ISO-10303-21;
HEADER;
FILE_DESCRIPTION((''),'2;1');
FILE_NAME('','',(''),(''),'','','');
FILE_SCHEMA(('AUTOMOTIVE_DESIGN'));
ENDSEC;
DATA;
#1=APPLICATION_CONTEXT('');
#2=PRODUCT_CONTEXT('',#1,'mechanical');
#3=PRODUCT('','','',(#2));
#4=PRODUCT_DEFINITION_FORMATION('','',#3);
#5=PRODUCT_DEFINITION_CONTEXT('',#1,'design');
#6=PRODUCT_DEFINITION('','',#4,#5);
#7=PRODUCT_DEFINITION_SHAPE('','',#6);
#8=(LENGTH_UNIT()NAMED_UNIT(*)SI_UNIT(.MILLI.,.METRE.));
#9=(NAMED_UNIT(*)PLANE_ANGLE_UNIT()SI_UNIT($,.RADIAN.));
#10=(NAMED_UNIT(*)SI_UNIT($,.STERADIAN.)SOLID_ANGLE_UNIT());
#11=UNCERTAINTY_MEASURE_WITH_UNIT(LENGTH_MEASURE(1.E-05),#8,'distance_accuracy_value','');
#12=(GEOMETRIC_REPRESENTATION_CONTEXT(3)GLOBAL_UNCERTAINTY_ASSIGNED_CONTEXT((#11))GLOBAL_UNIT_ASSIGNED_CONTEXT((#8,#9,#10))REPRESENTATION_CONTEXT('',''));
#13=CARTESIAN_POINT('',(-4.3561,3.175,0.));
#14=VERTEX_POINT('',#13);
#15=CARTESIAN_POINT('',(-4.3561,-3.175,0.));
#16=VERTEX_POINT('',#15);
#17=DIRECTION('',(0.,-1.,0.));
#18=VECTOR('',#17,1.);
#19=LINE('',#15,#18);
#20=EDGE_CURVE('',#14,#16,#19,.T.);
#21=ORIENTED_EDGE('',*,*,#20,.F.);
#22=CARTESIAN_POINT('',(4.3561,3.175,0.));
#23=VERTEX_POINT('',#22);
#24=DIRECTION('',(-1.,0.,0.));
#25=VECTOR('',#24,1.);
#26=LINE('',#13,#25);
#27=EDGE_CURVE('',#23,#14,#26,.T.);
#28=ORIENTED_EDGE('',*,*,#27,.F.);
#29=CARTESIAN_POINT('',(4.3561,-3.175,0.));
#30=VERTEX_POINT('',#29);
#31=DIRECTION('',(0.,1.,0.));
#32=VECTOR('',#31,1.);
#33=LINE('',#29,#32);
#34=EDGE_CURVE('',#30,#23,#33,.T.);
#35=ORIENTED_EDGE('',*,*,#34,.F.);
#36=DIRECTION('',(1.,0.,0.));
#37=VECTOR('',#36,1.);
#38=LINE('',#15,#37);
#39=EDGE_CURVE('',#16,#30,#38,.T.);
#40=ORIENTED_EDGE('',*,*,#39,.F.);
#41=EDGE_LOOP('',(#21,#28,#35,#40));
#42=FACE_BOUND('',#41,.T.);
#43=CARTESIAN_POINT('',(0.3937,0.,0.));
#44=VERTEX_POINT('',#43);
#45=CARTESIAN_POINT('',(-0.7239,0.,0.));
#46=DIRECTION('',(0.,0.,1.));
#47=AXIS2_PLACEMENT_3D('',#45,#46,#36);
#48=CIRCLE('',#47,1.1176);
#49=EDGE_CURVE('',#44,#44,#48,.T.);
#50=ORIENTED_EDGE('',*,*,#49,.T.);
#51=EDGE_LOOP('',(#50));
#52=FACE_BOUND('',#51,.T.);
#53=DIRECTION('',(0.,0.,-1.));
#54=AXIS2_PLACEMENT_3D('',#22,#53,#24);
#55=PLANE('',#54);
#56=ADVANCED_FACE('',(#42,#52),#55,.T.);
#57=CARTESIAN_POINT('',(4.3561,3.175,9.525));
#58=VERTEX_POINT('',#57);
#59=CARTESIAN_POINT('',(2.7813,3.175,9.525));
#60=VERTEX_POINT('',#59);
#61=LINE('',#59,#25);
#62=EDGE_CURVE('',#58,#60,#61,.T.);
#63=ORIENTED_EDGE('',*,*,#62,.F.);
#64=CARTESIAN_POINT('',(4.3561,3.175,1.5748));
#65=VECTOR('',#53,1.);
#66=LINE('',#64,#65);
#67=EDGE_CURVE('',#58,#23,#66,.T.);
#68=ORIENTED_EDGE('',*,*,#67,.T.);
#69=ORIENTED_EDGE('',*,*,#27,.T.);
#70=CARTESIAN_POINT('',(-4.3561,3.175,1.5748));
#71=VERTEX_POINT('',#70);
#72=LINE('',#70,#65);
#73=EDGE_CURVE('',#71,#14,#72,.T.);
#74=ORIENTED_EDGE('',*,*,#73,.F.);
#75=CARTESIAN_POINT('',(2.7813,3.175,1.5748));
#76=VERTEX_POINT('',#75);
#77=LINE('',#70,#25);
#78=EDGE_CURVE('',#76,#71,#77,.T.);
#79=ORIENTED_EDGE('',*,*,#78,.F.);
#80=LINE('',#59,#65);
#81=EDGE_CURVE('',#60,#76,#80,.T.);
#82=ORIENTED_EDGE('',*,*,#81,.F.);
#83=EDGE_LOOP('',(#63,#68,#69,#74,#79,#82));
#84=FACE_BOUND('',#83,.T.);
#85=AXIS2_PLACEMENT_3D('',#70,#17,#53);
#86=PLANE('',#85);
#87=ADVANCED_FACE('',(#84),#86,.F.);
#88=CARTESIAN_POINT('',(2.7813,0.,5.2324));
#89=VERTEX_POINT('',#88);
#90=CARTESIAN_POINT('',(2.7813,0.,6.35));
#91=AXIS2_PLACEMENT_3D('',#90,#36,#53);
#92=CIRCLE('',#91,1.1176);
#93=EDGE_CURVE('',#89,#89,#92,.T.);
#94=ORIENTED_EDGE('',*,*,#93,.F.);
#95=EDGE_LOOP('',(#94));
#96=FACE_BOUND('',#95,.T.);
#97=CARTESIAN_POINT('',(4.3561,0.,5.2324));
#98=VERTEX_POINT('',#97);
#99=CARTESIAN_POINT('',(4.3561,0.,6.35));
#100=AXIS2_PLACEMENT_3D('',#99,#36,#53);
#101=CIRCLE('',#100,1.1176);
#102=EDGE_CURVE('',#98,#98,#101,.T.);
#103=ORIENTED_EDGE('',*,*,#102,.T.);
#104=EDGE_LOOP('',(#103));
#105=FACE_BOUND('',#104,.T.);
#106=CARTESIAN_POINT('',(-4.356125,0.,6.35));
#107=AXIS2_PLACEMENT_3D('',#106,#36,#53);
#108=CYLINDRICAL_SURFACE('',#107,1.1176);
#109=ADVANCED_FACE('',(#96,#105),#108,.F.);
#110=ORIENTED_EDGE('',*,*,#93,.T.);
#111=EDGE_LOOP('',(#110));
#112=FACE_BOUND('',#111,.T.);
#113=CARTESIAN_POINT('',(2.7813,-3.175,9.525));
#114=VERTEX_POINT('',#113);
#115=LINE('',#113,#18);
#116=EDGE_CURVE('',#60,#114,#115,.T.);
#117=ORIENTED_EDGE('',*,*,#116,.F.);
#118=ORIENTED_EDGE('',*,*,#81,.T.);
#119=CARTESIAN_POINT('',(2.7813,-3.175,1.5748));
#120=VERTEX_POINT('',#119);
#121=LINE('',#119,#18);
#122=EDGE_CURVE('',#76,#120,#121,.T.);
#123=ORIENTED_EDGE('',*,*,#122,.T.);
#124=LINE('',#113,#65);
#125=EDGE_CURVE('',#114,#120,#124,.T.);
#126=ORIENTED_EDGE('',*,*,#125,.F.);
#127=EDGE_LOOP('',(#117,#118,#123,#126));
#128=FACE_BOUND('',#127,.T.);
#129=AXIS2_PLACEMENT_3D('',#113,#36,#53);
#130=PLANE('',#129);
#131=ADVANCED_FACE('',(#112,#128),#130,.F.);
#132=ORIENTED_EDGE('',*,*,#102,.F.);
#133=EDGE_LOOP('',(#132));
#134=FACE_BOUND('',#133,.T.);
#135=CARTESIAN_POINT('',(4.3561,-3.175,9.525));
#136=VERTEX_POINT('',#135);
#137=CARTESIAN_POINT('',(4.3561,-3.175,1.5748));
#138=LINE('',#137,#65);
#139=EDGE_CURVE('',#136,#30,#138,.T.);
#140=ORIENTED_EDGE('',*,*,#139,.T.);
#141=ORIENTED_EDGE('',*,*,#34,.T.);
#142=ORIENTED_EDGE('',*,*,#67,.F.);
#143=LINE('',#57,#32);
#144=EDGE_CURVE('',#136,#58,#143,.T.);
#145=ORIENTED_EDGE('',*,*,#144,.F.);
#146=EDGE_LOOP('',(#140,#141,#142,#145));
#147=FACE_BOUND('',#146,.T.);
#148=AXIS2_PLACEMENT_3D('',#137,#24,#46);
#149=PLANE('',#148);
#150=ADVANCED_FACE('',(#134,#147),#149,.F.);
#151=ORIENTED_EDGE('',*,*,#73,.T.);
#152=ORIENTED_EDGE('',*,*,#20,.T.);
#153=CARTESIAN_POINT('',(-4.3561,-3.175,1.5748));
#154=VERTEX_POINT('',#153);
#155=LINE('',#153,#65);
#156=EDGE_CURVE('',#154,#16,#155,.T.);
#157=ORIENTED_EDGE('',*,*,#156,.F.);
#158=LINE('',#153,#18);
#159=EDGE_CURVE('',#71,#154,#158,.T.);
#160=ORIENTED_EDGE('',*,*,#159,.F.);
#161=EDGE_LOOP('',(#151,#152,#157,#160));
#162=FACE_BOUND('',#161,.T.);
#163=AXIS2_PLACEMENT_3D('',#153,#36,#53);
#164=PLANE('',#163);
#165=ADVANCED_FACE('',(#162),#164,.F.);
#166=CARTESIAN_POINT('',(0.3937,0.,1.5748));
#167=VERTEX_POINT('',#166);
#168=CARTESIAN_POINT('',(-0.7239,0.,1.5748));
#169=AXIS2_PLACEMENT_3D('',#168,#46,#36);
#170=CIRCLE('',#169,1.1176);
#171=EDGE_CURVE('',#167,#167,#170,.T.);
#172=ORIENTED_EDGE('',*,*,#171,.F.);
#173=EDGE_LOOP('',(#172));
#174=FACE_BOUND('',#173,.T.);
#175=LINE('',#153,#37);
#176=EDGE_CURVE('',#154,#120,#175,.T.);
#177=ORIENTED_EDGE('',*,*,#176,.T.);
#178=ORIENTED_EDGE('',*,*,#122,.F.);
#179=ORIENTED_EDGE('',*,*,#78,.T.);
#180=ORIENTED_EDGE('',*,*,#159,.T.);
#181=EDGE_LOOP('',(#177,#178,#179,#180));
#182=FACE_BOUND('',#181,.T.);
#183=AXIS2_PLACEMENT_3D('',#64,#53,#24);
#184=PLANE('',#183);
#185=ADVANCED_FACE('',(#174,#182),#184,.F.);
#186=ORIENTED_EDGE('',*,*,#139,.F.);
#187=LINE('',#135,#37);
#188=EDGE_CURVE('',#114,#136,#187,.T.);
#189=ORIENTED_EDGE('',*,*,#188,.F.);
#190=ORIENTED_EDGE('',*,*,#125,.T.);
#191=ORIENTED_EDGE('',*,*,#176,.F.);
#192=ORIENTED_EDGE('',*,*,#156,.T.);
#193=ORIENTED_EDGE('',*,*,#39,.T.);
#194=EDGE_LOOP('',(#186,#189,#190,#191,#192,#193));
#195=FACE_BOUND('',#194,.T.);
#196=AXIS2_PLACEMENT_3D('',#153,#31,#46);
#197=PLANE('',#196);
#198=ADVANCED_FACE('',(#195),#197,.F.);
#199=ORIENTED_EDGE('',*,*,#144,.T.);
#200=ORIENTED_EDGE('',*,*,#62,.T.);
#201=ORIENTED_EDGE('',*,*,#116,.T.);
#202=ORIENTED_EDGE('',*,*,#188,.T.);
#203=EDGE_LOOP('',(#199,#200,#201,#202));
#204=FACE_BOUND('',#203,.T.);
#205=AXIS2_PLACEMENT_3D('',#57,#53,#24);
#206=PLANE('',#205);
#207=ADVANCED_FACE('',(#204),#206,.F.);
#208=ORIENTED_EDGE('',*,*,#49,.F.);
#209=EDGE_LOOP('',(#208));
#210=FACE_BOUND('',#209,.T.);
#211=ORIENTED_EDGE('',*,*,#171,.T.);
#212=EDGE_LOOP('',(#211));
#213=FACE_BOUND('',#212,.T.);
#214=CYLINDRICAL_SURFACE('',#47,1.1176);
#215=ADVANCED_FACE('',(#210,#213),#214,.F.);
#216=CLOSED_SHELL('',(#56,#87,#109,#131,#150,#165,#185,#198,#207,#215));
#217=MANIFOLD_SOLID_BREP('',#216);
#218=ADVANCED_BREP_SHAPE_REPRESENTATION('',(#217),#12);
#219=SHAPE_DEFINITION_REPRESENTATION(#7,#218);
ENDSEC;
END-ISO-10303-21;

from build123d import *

# Parameters (mm, degrees)
SKETCH1_W           = 8.7122
SKETCH1_H           = 6.35
BOSS_EXTRUDE1_DEPTH = 1.5748
SKETCH2_W           = 1.5748
SKETCH2_H           = 6.35
BOSS_EXTRUDE2_DEPTH = 7.9502
SKETCH3_R           = 1.1176
CUT_EXTRUDE1_DEPTH  = 2.5748
SKETCH4_R           = 1.1176
CUT_EXTRUDE2_DEPTH  = 9.7122


with BuildPart() as part:
    # Sketch1 → Boss-Extrude1 (new body)
    with BuildSketch(Plane.XY):
        Rectangle(SKETCH1_W, SKETCH1_H)
    extrude(amount=BOSS_EXTRUDE1_DEPTH)

    # Sketch2 → Boss-Extrude2 (add)
    with BuildSketch(Plane.XY.offset(1.5748)):
        with Locations((3.5687, 0)):
            Rectangle(SKETCH2_W, SKETCH2_H)
    extrude(amount=BOSS_EXTRUDE2_DEPTH)

    # Sketch3 → Cut-Extrude1 (cut, through all)
    with BuildSketch(Plane.XY.offset(1.5748)):
        with Locations((-0.7239, 0)):
            Circle(SKETCH3_R)
    extrude(amount=-CUT_EXTRUDE1_DEPTH, mode=Mode.SUBTRACT)

    # Sketch4 → Cut-Extrude2 (cut, through all)
    with BuildSketch(Plane(origin=(4.3561, 0, 0), x_dir=(0, 0, -1), z_dir=(1, 0, 0))):
        with Locations((-6.35, 0)):
            Circle(SKETCH4_R)
    extrude(amount=-CUT_EXTRUDE2_DEPTH, mode=Mode.SUBTRACT)


solid = part.part
